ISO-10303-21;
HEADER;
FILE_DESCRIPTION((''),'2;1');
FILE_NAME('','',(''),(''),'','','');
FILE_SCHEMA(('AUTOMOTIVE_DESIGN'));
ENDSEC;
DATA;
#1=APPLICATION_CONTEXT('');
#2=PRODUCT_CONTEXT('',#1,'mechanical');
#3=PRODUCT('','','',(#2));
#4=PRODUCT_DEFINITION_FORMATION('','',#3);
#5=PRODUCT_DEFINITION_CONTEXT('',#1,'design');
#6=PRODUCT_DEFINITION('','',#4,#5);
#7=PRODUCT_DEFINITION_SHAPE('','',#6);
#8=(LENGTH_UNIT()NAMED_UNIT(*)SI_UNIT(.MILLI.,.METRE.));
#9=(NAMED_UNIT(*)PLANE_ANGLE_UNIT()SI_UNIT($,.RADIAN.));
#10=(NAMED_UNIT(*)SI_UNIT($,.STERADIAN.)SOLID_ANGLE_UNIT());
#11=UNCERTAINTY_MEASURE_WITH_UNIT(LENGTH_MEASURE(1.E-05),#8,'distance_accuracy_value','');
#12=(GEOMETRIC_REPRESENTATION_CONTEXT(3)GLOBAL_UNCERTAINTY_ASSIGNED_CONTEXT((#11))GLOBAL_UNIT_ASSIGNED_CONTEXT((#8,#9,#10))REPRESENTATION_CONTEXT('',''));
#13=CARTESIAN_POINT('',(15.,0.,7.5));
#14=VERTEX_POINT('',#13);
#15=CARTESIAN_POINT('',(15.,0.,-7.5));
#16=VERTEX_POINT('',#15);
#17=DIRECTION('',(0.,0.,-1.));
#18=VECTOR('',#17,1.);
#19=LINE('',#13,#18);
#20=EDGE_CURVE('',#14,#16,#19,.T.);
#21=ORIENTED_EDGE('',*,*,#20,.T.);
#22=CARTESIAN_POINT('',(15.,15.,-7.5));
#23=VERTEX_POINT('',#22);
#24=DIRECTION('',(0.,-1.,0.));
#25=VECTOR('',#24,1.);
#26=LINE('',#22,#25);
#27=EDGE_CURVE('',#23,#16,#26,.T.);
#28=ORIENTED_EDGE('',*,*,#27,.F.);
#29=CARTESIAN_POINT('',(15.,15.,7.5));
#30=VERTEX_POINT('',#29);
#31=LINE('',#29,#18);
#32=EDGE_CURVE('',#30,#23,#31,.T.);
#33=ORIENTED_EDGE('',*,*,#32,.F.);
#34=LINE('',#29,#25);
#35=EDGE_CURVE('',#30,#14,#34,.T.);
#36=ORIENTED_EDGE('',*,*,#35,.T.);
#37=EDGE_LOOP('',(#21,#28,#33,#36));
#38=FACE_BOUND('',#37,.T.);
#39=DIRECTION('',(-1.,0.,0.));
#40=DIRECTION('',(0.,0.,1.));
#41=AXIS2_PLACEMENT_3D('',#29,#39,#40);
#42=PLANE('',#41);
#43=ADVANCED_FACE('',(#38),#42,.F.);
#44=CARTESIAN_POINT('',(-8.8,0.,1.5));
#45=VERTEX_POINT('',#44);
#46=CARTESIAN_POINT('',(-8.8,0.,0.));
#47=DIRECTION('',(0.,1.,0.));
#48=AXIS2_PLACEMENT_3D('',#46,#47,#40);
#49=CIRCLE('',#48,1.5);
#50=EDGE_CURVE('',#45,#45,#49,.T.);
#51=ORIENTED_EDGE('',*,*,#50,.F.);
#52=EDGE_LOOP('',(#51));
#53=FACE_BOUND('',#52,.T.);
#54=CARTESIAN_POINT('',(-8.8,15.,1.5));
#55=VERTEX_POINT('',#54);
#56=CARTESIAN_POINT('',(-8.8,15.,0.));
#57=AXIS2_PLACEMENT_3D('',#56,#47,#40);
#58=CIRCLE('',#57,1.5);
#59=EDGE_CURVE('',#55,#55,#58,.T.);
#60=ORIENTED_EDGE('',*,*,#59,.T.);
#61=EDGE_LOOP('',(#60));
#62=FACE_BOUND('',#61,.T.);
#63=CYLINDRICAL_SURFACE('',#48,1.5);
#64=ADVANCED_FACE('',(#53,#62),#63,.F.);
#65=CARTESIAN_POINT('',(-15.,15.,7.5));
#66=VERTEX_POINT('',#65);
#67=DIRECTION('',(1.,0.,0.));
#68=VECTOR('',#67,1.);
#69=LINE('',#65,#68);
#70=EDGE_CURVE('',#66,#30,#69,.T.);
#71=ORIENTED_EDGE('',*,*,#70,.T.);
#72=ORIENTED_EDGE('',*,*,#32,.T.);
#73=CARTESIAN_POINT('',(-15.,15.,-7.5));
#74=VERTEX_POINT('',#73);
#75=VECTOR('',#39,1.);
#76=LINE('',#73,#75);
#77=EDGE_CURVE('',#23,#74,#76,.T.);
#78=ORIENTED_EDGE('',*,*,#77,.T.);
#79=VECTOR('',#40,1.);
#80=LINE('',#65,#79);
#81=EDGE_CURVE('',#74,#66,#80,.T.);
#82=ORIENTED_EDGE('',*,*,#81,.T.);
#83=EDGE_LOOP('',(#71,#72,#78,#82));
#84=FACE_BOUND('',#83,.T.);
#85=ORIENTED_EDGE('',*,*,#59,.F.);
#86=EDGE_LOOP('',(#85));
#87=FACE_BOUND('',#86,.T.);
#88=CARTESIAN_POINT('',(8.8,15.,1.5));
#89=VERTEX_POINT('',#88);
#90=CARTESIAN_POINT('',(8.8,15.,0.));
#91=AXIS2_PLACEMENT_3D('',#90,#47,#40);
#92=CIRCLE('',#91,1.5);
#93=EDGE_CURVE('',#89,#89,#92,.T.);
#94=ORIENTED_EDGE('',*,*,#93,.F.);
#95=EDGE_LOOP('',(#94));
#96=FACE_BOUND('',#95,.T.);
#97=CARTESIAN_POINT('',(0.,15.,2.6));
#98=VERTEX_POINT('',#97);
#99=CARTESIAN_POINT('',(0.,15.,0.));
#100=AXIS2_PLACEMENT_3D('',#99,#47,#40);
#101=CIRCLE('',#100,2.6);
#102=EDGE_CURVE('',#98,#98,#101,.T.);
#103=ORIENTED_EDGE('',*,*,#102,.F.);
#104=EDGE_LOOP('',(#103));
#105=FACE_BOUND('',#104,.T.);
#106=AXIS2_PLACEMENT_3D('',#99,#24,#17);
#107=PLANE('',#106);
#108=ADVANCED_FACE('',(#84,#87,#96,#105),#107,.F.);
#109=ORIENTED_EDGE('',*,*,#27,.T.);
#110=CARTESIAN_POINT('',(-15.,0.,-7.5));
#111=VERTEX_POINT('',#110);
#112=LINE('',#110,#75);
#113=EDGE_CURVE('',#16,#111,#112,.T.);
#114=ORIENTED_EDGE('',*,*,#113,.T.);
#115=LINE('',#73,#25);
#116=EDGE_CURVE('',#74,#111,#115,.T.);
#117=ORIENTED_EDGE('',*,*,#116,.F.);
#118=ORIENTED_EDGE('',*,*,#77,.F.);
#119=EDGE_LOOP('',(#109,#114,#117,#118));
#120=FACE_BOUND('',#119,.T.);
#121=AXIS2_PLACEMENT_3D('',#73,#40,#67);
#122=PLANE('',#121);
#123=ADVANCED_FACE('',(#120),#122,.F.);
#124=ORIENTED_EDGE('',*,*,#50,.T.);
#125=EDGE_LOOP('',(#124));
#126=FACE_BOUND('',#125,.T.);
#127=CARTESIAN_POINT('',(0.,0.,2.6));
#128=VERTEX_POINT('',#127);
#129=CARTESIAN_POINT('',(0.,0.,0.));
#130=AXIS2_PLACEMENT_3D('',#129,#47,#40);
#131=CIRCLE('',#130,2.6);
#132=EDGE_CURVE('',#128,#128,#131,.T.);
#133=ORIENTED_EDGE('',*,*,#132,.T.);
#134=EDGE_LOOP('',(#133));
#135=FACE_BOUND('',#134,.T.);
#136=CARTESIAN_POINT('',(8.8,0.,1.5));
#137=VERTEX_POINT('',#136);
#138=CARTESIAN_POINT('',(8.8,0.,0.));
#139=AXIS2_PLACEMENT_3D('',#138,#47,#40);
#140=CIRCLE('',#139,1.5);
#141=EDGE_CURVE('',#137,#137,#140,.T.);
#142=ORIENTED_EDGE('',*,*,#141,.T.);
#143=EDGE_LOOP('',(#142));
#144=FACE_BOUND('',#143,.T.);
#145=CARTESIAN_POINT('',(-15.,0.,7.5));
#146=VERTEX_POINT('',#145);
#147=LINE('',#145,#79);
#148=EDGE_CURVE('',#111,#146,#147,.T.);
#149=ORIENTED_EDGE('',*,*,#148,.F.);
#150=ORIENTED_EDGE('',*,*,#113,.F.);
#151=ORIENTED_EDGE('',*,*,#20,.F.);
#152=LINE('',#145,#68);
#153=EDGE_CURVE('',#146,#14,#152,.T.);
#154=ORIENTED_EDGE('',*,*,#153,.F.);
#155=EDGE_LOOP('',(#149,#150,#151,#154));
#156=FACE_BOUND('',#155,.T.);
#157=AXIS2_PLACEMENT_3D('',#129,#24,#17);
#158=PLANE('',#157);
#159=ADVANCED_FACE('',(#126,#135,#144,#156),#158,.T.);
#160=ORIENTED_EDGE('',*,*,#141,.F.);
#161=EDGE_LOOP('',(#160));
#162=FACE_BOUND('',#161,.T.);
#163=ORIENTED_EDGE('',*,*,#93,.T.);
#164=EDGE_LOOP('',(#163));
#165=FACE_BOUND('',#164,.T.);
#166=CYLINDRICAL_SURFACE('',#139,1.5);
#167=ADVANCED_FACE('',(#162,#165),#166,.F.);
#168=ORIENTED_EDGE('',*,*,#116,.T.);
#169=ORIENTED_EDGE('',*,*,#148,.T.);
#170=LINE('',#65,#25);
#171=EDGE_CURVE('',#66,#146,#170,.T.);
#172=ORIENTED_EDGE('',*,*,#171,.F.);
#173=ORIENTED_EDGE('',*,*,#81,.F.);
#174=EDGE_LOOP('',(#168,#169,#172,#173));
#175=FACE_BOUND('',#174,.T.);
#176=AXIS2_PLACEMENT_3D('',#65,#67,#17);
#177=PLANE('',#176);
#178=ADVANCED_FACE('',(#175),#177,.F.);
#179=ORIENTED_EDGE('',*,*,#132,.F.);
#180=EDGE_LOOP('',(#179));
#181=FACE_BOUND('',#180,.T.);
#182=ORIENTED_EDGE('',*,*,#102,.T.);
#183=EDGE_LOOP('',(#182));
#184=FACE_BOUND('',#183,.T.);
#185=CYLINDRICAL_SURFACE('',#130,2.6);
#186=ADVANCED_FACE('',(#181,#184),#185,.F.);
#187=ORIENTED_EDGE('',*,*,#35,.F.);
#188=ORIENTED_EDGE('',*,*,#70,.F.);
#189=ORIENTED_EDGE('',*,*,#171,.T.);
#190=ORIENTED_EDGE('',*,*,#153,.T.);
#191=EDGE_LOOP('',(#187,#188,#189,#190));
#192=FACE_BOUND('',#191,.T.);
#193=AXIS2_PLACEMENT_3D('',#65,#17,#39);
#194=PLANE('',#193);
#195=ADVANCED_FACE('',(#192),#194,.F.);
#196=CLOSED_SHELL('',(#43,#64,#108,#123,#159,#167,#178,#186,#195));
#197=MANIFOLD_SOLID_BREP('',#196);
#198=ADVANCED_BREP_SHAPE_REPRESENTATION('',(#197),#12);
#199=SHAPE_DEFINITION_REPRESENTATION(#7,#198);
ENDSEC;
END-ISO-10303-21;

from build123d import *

# Parameters (mm, degrees)
SKETCH1_W           = 30
SKETCH1_H           = 15
BOSS_EXTRUDE1_DEPTH = 15
SKETCH2_R           = 2.6
SKETCH2_R_2         = 1.5
CUT_EXTRUDE1_DEPTH  = 23.5


with BuildPart() as part:
    # Sketch1 → Boss-Extrude1 (new body)
    with BuildSketch(Plane(origin=(0, 0, 0), x_dir=(1, 0, 0), z_dir=(0, 1, 0))):
        Rectangle(SKETCH1_W, SKETCH1_H)
    extrude(amount=BOSS_EXTRUDE1_DEPTH)

    # Sketch2 → Cut-Extrude1 (cut, through all)
    with BuildSketch(Plane(origin=(0, 15, 0), x_dir=(1, 0, 0), z_dir=(0, 1, 0))):
        with Locations(Location((0, 0, 0), (0, 0, 270))):
            Circle(SKETCH2_R)
        with Locations(Location((-8.8, 0, 0), (0, 0, 270))):
            Circle(SKETCH2_R_2)
        with Locations(Location((8.8, 0, 0), (0, 0, 270))):
            Circle(SKETCH2_R_2)
    extrude(amount=-CUT_EXTRUDE1_DEPTH, mode=Mode.SUBTRACT)


solid = part.part
